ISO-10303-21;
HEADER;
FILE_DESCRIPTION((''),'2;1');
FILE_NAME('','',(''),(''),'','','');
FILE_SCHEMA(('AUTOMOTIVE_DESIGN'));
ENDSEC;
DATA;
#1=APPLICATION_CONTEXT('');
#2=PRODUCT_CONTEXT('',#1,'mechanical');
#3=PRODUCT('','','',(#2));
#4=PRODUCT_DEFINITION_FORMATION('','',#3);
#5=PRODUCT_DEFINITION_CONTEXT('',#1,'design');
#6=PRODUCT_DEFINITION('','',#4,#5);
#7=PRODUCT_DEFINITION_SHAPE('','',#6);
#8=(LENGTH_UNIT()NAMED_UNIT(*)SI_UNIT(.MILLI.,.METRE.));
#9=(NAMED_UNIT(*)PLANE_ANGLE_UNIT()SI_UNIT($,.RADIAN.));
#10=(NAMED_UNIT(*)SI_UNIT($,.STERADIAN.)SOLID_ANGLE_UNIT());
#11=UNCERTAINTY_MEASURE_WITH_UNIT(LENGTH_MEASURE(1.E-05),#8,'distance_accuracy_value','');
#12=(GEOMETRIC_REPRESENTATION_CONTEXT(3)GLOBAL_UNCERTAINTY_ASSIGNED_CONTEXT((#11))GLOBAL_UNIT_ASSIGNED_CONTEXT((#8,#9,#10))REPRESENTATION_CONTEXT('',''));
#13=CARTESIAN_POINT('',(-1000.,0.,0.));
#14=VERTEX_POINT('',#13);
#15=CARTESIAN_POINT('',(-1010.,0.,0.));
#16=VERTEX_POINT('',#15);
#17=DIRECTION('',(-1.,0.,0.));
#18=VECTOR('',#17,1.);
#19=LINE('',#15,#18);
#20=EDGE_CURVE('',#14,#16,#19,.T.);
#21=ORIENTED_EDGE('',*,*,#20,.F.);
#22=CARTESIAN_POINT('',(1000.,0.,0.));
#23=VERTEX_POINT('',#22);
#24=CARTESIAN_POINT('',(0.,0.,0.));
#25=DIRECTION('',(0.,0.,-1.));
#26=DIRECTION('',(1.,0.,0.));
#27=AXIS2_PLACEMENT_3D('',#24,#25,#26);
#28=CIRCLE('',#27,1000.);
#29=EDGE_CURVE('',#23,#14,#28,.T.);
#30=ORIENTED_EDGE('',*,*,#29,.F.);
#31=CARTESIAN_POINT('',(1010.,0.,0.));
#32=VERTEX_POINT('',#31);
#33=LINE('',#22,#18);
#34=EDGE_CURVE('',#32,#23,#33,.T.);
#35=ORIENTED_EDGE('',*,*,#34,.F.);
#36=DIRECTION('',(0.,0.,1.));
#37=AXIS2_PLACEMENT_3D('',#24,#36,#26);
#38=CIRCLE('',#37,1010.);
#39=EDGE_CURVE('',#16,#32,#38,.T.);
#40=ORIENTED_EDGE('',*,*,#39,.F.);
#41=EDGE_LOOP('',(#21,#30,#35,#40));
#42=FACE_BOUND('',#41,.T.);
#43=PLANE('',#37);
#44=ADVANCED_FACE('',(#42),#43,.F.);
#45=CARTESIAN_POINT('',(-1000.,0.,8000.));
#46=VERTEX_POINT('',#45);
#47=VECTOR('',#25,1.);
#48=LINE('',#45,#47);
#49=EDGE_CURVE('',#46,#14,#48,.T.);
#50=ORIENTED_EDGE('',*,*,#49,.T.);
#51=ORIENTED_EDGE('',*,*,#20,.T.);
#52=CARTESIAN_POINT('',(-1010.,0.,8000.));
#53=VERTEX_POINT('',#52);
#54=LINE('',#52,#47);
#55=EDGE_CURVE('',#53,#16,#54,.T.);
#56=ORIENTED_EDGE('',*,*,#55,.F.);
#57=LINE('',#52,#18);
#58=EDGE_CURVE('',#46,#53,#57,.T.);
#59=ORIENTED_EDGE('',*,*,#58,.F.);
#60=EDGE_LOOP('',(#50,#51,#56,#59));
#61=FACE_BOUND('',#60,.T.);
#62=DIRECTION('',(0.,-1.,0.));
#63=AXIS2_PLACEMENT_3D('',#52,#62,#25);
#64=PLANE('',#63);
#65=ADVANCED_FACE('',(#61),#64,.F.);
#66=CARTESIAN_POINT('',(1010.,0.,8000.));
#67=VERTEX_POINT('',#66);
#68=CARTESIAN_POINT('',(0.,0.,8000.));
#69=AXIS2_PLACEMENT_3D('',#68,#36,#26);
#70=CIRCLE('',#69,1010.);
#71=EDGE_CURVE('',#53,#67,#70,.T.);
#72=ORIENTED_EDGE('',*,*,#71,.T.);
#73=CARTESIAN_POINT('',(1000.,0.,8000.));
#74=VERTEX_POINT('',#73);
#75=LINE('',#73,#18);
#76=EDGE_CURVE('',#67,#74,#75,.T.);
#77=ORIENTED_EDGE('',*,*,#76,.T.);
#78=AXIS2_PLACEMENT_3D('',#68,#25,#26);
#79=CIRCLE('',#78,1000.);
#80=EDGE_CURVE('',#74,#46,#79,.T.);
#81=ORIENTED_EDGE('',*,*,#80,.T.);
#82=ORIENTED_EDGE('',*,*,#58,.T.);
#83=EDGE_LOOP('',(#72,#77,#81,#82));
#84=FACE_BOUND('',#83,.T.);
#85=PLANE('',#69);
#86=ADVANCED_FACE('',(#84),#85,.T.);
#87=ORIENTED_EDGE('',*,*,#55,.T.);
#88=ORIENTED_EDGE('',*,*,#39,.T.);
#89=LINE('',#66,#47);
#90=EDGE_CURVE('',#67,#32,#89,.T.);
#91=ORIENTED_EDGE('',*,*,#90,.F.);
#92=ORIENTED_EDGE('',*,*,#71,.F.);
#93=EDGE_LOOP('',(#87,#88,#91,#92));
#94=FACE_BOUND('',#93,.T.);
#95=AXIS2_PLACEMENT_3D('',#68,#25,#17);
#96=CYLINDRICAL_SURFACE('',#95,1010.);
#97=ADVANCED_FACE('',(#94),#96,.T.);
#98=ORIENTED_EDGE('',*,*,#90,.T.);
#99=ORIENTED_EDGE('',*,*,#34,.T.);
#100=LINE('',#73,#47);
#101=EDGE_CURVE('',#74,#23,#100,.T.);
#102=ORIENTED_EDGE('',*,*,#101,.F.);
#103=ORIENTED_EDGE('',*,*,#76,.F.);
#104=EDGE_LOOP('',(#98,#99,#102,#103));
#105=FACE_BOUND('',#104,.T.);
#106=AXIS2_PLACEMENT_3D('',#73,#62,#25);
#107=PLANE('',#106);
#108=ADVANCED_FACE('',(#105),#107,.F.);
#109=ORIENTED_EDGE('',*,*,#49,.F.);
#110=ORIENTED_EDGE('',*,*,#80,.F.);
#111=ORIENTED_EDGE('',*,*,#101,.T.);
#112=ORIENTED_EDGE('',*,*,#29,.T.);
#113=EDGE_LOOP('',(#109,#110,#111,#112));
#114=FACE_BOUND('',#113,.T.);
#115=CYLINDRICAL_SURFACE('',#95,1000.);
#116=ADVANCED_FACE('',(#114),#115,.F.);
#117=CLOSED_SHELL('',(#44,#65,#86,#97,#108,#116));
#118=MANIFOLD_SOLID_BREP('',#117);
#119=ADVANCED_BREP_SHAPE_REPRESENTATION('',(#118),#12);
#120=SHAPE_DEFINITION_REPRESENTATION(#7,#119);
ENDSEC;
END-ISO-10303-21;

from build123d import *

# Parameters (mm, degrees)
EXTRUDE_1_DEPTH = 8000


with BuildPart() as part:
    # Эскиз2 → Бобышка-Вытянуть1 (new body)
    with BuildSketch(Plane.XY):
        with BuildLine():
            Line((-1010, 0), (-1000, 0))
            ThreePointArc((-1000, 0), (0, -1000), (1000, 0))
            Line((1000, 0), (1010, 0))
            ThreePointArc((1010, 0), (0, -1010), (-1010, 0))
        make_face()
    extrude(amount=EXTRUDE_1_DEPTH)


solid = part.part
